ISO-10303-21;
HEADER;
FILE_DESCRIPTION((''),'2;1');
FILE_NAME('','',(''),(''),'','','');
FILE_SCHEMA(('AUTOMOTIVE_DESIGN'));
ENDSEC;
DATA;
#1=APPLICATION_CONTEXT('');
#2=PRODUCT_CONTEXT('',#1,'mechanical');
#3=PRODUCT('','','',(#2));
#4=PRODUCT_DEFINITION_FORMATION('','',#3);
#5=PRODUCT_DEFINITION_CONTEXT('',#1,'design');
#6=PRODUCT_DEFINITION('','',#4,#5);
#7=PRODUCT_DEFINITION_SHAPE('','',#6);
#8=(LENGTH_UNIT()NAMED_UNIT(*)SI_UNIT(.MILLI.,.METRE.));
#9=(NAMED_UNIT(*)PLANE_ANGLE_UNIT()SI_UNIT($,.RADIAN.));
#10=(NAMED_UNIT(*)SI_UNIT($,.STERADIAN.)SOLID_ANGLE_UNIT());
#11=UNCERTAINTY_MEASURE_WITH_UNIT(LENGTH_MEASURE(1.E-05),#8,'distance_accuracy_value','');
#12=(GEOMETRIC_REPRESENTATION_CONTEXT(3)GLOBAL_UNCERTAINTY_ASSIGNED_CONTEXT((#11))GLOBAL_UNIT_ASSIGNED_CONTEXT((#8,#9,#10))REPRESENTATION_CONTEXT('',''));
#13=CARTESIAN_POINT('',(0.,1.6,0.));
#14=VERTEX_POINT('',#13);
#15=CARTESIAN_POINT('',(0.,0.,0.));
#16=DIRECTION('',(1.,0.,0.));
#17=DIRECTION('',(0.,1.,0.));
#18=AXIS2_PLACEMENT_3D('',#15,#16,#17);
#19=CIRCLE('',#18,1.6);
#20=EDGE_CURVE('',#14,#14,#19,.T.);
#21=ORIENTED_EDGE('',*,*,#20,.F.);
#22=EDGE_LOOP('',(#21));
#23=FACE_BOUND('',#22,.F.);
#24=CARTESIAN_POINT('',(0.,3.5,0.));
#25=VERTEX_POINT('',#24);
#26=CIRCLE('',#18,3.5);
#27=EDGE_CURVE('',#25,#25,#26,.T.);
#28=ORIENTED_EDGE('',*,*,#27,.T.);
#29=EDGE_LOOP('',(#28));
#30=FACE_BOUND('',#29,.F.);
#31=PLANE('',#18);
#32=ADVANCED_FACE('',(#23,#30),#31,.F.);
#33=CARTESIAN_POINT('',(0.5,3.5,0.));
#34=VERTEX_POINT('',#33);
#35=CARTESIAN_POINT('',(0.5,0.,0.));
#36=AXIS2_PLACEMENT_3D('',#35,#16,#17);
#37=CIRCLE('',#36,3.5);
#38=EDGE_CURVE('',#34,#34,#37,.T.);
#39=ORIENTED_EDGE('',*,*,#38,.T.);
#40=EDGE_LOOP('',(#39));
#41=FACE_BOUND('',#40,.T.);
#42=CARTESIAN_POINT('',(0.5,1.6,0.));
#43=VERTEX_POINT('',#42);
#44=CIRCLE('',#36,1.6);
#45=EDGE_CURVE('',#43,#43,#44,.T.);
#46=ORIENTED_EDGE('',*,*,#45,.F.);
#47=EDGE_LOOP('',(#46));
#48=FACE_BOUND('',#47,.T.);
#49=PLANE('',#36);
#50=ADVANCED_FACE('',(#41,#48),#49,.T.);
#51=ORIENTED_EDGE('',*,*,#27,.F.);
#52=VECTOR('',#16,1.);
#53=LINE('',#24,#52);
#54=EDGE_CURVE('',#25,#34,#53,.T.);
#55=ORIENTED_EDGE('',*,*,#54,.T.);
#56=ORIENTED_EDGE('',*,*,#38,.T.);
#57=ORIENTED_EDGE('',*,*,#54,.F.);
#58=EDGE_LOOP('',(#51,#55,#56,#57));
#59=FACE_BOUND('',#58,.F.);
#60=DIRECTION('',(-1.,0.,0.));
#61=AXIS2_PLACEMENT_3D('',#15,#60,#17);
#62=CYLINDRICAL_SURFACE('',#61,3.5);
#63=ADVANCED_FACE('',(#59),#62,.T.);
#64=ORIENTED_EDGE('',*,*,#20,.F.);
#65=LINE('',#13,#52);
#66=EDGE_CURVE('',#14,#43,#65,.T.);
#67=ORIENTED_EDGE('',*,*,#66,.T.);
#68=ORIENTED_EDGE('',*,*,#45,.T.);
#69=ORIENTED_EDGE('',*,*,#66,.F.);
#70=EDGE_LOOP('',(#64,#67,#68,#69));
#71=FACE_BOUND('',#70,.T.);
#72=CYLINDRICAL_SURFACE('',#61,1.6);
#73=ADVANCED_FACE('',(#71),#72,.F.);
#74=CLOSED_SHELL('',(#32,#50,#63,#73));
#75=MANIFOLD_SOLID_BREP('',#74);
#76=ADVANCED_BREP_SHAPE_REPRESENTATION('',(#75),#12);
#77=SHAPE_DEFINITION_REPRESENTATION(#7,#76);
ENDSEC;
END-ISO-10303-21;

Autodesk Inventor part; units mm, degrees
ref_plane "YZ Plane" through (0, 0, 0) normal (1, 0, 0) x (0, 1, 0)
ref_plane "XZ Plane" through (0, 0, 0) normal (0, 1, 0) x (-1, 0, 0)
sketch "Szkic" plane through (0, 0, 0) normal (1, 0, 0) x (0, 1, 0)
  circle A0 centre (0, 0) radius 3.5
  circle A1 centre (0, 0) radius 1.6
  dimension "d0" = 3.2
  dimension "d1" = 7
extrude "Bryła" add sketch "Szkic" along normal blind 0.5
ref_plane "Work Plane1" through (0, 0, 0) normal (0, 0, 1) x (1, 0, 0)
equation "\"d0\" = SD1"
equation "\"d1\" = SD2"
equation "\"d2\" = SD"
equation "\"SD1\" = 3.2"
equation "\"SD2\" = 7"
equation "\"SD\" = 0.5"
equation "\"NND\" = 3"
properties part number "DIN 125 - A 3,2" material "Stal, miękka"
